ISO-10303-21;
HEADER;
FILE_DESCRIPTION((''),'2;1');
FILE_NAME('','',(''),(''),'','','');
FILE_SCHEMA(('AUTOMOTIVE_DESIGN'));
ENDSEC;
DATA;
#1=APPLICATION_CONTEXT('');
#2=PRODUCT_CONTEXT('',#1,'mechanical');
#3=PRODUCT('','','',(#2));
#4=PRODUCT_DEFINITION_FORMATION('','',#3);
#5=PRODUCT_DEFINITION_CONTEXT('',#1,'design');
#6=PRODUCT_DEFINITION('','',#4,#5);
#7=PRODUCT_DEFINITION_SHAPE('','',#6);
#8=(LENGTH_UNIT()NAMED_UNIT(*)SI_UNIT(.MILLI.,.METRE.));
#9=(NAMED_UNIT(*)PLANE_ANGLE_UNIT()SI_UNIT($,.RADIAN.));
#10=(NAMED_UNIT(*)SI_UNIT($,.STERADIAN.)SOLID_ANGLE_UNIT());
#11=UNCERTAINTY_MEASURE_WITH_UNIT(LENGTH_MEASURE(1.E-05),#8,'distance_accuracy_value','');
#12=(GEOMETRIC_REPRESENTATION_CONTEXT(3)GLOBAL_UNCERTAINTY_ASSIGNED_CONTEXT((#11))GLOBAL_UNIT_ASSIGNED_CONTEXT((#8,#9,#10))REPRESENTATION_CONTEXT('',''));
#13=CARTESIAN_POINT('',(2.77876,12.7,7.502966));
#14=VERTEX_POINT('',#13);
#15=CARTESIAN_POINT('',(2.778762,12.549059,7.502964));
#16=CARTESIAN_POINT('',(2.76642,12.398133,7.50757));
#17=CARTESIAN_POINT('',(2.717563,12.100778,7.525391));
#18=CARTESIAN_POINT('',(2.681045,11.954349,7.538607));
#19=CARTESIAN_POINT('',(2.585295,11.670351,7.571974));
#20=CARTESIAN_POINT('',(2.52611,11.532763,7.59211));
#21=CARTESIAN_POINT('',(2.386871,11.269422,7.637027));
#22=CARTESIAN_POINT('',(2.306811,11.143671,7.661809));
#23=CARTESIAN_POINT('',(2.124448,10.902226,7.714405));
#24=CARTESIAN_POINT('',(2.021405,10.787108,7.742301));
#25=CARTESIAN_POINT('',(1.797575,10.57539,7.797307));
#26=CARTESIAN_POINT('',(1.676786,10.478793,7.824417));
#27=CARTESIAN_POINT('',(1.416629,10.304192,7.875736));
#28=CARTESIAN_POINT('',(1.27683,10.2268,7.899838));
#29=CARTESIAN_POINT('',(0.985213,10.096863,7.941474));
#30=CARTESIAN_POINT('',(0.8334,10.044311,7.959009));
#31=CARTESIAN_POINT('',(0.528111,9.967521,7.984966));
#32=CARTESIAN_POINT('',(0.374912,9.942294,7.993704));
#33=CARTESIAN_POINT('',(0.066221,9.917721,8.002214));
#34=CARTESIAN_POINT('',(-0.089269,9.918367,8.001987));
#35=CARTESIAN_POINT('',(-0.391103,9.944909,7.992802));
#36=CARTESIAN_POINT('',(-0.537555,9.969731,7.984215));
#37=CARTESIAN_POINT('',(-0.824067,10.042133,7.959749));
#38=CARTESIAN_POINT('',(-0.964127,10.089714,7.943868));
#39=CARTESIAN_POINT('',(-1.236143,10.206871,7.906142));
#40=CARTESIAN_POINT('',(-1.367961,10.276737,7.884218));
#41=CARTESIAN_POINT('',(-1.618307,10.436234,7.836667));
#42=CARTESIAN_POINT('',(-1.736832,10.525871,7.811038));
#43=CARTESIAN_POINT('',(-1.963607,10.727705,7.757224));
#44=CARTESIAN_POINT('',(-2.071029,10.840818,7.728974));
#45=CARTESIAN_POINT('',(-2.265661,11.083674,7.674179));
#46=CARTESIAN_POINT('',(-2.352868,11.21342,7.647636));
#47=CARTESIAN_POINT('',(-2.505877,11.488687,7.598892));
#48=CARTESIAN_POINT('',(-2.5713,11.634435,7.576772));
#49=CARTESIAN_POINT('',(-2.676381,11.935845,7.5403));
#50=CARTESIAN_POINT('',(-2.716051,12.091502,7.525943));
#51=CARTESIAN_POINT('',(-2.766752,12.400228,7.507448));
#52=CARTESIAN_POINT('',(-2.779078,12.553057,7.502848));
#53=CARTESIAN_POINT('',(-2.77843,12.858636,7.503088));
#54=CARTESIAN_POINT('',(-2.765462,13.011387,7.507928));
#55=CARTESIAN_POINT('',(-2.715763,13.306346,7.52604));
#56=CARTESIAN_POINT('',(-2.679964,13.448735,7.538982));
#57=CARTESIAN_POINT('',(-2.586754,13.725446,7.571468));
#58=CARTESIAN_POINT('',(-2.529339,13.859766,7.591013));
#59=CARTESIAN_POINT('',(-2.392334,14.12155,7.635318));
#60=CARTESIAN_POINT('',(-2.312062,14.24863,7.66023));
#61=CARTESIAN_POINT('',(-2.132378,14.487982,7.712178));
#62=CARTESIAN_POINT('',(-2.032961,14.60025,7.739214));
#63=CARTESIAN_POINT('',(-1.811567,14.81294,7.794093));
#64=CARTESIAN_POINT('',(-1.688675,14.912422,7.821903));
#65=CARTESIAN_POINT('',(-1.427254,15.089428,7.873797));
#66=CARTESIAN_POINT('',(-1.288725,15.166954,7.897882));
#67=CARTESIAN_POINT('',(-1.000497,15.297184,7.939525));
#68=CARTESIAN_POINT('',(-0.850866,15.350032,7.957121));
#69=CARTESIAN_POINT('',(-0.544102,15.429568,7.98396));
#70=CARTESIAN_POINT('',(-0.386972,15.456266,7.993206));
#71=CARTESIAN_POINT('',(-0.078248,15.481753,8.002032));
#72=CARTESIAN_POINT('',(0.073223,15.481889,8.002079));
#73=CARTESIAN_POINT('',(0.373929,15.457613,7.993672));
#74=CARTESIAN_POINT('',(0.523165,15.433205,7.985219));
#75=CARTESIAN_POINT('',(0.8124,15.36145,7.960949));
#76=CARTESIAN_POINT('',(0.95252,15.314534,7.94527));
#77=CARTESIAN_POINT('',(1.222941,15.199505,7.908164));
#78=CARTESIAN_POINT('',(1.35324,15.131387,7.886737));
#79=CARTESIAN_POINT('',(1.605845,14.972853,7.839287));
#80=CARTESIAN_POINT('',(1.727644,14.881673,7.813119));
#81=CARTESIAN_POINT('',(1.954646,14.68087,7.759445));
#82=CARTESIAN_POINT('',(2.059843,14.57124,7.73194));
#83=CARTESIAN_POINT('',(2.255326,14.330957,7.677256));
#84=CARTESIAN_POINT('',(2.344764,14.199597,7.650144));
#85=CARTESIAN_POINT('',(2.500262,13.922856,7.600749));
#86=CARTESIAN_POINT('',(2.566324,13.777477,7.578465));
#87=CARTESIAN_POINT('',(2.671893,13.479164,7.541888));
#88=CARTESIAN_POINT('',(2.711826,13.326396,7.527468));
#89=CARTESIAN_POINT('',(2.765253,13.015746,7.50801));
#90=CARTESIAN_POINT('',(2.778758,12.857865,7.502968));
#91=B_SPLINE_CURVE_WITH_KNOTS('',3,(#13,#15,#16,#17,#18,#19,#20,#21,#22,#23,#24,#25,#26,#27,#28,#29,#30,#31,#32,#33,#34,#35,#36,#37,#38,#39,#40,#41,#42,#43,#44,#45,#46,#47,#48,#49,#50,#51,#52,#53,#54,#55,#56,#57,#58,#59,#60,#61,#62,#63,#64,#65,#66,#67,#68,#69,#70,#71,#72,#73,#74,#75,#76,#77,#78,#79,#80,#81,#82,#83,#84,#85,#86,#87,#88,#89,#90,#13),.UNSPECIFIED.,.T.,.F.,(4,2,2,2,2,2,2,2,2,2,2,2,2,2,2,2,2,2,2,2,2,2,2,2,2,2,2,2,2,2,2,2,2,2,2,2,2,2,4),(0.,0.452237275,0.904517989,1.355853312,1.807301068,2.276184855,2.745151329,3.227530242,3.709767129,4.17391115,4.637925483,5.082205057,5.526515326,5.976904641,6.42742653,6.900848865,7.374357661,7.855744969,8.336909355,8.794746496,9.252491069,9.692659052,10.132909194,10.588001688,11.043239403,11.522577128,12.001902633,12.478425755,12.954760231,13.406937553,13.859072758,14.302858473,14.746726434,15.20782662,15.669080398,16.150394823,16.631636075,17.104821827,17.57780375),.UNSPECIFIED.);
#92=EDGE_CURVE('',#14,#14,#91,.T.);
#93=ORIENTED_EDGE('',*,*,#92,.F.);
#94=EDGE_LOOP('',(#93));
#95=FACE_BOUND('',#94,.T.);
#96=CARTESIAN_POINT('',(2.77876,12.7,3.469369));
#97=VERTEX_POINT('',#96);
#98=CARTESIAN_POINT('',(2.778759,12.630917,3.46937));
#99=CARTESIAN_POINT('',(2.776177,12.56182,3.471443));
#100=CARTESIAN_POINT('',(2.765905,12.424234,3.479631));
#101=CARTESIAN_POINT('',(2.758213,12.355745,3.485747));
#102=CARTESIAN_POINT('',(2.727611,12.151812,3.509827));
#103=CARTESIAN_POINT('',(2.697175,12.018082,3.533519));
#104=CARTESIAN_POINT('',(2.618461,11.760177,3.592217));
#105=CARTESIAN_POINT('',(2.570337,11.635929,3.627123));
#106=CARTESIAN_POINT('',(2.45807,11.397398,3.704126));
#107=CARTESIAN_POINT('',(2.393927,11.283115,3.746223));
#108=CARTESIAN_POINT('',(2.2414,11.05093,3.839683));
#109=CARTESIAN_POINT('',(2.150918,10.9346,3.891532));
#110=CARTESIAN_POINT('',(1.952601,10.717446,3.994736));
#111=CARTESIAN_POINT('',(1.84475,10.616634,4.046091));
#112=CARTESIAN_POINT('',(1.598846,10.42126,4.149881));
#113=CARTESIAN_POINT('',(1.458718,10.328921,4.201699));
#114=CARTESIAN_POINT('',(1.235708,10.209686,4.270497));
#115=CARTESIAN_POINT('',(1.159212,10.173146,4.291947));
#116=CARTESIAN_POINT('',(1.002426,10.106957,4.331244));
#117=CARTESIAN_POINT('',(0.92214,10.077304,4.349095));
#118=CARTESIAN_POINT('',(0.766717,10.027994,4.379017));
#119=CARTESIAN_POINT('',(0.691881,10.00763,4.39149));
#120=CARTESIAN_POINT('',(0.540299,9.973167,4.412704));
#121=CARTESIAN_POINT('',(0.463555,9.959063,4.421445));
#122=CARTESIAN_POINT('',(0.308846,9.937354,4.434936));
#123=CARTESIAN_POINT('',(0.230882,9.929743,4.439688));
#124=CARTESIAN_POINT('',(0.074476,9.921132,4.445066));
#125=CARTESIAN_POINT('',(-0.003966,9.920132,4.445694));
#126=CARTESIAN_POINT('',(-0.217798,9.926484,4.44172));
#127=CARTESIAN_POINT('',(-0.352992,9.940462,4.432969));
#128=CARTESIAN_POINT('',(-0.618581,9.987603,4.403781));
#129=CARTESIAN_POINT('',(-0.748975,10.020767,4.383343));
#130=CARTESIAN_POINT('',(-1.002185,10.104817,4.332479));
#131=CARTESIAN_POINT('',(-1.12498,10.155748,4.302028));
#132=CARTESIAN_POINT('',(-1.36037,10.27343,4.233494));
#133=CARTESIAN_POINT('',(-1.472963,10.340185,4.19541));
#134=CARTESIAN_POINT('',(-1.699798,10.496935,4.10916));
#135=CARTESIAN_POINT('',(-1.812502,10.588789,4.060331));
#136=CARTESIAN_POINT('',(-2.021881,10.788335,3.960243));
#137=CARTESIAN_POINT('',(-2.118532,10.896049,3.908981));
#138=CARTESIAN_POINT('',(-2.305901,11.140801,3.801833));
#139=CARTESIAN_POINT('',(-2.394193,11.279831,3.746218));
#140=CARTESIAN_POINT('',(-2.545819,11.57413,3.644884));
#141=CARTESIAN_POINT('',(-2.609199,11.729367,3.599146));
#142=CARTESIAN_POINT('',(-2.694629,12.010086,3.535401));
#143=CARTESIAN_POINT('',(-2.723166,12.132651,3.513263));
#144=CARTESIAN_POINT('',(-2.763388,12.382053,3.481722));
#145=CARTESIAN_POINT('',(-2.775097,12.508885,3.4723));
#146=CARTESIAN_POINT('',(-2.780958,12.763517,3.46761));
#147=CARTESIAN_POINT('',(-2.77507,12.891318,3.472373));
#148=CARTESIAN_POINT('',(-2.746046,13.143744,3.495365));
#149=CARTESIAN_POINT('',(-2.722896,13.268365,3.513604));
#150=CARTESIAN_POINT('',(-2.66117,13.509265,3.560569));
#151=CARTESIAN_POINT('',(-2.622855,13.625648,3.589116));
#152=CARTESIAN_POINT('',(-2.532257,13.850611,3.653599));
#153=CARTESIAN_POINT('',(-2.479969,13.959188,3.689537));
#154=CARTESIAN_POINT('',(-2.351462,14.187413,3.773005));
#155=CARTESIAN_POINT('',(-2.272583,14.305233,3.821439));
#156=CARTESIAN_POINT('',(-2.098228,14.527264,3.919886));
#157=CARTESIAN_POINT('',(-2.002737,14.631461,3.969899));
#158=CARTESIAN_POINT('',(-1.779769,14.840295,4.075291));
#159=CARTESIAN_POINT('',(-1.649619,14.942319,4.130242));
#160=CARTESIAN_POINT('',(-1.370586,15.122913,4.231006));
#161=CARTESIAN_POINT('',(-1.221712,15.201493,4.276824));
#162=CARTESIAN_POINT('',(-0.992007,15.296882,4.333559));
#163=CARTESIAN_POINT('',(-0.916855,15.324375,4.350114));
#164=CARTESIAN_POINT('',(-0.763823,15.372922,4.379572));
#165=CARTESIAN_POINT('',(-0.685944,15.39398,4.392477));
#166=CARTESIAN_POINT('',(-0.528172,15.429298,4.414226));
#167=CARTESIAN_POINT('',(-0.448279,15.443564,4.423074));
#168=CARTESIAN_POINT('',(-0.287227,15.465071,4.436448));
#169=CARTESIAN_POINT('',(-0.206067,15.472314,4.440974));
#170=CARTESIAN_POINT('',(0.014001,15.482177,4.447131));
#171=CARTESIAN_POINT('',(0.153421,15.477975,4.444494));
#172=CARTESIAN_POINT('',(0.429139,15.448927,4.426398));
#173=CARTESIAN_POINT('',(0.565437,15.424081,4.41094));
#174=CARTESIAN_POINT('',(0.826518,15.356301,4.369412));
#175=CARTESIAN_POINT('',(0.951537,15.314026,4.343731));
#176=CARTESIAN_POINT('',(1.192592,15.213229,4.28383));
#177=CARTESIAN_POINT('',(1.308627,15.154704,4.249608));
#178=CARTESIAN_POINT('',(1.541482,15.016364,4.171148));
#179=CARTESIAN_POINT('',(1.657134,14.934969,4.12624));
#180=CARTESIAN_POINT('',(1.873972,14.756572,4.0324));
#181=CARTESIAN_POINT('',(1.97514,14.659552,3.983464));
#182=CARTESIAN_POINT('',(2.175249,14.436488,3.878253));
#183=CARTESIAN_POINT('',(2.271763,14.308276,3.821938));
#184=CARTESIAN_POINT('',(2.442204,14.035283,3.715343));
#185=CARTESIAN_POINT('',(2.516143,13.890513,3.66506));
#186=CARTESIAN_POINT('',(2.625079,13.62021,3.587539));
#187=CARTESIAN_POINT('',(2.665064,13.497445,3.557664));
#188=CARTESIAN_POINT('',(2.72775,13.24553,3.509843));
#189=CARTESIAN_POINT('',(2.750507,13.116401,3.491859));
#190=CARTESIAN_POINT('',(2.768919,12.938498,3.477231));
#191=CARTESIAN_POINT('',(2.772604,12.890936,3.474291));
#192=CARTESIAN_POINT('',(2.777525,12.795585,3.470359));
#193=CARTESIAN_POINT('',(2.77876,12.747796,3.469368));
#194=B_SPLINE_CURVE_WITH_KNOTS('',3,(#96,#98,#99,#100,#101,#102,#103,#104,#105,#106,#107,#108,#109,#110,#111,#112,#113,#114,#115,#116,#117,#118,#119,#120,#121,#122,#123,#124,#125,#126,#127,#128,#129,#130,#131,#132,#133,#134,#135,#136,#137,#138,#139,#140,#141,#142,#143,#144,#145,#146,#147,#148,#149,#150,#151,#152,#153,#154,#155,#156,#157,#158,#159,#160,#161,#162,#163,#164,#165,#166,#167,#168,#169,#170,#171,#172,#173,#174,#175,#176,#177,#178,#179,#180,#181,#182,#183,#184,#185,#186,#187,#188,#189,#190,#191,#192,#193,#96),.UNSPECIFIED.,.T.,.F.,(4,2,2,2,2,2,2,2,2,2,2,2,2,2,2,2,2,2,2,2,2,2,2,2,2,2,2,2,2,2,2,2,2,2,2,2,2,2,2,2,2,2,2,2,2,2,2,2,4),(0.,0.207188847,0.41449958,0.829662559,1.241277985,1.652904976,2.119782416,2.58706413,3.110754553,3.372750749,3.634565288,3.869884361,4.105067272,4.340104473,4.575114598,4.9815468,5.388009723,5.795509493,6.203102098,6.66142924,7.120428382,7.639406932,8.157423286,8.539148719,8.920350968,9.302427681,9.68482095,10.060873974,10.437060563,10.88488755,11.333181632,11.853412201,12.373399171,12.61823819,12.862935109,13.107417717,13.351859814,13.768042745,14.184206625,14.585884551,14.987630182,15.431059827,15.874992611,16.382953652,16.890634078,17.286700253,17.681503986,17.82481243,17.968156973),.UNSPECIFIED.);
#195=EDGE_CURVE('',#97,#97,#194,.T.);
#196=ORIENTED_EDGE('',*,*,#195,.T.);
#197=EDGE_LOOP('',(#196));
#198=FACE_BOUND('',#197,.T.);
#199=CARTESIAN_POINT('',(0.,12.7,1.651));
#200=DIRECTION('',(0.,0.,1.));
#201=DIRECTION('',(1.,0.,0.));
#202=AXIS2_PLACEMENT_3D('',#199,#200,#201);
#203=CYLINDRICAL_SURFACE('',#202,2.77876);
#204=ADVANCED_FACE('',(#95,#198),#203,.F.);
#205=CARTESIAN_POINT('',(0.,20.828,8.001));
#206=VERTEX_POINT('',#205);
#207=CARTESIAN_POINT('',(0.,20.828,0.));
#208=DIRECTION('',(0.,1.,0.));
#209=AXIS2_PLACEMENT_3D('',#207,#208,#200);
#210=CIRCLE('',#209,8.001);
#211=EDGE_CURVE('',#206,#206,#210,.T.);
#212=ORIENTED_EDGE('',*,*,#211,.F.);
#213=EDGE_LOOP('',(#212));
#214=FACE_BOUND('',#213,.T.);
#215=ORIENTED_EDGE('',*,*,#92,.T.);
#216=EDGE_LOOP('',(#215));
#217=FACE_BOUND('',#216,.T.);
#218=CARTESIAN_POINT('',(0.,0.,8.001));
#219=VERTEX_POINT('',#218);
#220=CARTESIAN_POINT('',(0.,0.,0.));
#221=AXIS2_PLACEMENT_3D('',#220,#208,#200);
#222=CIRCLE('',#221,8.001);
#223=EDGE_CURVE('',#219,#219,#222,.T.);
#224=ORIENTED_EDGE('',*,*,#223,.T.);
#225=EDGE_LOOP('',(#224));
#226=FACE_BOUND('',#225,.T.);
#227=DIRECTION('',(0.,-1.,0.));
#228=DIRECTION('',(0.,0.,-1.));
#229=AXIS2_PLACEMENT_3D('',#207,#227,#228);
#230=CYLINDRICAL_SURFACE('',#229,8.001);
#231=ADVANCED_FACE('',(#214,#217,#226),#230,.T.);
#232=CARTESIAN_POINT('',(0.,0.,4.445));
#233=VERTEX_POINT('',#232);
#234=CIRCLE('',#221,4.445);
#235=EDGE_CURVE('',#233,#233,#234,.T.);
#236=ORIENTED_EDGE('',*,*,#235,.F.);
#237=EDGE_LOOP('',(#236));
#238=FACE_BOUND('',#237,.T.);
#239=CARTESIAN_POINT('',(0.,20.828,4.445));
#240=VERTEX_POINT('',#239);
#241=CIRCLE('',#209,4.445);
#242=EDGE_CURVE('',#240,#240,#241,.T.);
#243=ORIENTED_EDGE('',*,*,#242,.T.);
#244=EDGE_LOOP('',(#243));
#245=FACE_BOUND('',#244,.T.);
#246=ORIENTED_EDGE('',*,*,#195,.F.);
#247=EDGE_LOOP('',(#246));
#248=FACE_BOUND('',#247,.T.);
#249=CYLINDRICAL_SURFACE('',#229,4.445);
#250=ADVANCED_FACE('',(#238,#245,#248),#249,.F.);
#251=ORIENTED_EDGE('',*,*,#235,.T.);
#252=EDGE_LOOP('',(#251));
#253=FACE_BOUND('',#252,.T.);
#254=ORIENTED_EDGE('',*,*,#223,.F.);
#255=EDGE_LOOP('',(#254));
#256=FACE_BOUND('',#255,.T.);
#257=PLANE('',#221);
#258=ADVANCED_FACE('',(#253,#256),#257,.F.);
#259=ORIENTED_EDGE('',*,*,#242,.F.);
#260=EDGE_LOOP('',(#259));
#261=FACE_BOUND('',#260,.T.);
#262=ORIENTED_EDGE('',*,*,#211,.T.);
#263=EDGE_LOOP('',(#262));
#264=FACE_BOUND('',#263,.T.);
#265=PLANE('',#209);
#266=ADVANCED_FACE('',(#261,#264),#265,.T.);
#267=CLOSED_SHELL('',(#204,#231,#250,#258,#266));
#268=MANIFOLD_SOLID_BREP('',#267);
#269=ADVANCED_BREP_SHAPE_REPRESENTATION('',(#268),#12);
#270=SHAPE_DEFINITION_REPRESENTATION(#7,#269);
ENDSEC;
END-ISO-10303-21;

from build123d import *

# Parameters (mm, degrees)
SKETCH1_R           = 8.001
SKETCH1_R_2         = 4.445
BOSS_EXTRUDE1_DEPTH = 20.828
SKETCH2_R           = 2.77876
CUT_EXTRUDE1_DEPTH  = 6.35


with BuildPart() as part:
    # Sketch1 → Boss-Extrude1 (new body)
    with BuildSketch(Plane(origin=(0, 0, 0), x_dir=(1, 0, 0), z_dir=(0, 1, 0))):
        with Locations(Location((0, 0, 0), (0, 0, 270))):
            Circle(SKETCH1_R)
        with Locations(Location((0, 0, 0), (0, 0, 270))):
            Circle(SKETCH1_R_2, mode=Mode.SUBTRACT)
    extrude(amount=BOSS_EXTRUDE1_DEPTH)

    # Sketch2 → Cut-Extrude1 (cut)
    with BuildSketch(Plane.XY.offset(8.001)):
        with Locations((0, 12.7)):
            Circle(SKETCH2_R)
    extrude(amount=-CUT_EXTRUDE1_DEPTH, mode=Mode.SUBTRACT)


solid = part.part
